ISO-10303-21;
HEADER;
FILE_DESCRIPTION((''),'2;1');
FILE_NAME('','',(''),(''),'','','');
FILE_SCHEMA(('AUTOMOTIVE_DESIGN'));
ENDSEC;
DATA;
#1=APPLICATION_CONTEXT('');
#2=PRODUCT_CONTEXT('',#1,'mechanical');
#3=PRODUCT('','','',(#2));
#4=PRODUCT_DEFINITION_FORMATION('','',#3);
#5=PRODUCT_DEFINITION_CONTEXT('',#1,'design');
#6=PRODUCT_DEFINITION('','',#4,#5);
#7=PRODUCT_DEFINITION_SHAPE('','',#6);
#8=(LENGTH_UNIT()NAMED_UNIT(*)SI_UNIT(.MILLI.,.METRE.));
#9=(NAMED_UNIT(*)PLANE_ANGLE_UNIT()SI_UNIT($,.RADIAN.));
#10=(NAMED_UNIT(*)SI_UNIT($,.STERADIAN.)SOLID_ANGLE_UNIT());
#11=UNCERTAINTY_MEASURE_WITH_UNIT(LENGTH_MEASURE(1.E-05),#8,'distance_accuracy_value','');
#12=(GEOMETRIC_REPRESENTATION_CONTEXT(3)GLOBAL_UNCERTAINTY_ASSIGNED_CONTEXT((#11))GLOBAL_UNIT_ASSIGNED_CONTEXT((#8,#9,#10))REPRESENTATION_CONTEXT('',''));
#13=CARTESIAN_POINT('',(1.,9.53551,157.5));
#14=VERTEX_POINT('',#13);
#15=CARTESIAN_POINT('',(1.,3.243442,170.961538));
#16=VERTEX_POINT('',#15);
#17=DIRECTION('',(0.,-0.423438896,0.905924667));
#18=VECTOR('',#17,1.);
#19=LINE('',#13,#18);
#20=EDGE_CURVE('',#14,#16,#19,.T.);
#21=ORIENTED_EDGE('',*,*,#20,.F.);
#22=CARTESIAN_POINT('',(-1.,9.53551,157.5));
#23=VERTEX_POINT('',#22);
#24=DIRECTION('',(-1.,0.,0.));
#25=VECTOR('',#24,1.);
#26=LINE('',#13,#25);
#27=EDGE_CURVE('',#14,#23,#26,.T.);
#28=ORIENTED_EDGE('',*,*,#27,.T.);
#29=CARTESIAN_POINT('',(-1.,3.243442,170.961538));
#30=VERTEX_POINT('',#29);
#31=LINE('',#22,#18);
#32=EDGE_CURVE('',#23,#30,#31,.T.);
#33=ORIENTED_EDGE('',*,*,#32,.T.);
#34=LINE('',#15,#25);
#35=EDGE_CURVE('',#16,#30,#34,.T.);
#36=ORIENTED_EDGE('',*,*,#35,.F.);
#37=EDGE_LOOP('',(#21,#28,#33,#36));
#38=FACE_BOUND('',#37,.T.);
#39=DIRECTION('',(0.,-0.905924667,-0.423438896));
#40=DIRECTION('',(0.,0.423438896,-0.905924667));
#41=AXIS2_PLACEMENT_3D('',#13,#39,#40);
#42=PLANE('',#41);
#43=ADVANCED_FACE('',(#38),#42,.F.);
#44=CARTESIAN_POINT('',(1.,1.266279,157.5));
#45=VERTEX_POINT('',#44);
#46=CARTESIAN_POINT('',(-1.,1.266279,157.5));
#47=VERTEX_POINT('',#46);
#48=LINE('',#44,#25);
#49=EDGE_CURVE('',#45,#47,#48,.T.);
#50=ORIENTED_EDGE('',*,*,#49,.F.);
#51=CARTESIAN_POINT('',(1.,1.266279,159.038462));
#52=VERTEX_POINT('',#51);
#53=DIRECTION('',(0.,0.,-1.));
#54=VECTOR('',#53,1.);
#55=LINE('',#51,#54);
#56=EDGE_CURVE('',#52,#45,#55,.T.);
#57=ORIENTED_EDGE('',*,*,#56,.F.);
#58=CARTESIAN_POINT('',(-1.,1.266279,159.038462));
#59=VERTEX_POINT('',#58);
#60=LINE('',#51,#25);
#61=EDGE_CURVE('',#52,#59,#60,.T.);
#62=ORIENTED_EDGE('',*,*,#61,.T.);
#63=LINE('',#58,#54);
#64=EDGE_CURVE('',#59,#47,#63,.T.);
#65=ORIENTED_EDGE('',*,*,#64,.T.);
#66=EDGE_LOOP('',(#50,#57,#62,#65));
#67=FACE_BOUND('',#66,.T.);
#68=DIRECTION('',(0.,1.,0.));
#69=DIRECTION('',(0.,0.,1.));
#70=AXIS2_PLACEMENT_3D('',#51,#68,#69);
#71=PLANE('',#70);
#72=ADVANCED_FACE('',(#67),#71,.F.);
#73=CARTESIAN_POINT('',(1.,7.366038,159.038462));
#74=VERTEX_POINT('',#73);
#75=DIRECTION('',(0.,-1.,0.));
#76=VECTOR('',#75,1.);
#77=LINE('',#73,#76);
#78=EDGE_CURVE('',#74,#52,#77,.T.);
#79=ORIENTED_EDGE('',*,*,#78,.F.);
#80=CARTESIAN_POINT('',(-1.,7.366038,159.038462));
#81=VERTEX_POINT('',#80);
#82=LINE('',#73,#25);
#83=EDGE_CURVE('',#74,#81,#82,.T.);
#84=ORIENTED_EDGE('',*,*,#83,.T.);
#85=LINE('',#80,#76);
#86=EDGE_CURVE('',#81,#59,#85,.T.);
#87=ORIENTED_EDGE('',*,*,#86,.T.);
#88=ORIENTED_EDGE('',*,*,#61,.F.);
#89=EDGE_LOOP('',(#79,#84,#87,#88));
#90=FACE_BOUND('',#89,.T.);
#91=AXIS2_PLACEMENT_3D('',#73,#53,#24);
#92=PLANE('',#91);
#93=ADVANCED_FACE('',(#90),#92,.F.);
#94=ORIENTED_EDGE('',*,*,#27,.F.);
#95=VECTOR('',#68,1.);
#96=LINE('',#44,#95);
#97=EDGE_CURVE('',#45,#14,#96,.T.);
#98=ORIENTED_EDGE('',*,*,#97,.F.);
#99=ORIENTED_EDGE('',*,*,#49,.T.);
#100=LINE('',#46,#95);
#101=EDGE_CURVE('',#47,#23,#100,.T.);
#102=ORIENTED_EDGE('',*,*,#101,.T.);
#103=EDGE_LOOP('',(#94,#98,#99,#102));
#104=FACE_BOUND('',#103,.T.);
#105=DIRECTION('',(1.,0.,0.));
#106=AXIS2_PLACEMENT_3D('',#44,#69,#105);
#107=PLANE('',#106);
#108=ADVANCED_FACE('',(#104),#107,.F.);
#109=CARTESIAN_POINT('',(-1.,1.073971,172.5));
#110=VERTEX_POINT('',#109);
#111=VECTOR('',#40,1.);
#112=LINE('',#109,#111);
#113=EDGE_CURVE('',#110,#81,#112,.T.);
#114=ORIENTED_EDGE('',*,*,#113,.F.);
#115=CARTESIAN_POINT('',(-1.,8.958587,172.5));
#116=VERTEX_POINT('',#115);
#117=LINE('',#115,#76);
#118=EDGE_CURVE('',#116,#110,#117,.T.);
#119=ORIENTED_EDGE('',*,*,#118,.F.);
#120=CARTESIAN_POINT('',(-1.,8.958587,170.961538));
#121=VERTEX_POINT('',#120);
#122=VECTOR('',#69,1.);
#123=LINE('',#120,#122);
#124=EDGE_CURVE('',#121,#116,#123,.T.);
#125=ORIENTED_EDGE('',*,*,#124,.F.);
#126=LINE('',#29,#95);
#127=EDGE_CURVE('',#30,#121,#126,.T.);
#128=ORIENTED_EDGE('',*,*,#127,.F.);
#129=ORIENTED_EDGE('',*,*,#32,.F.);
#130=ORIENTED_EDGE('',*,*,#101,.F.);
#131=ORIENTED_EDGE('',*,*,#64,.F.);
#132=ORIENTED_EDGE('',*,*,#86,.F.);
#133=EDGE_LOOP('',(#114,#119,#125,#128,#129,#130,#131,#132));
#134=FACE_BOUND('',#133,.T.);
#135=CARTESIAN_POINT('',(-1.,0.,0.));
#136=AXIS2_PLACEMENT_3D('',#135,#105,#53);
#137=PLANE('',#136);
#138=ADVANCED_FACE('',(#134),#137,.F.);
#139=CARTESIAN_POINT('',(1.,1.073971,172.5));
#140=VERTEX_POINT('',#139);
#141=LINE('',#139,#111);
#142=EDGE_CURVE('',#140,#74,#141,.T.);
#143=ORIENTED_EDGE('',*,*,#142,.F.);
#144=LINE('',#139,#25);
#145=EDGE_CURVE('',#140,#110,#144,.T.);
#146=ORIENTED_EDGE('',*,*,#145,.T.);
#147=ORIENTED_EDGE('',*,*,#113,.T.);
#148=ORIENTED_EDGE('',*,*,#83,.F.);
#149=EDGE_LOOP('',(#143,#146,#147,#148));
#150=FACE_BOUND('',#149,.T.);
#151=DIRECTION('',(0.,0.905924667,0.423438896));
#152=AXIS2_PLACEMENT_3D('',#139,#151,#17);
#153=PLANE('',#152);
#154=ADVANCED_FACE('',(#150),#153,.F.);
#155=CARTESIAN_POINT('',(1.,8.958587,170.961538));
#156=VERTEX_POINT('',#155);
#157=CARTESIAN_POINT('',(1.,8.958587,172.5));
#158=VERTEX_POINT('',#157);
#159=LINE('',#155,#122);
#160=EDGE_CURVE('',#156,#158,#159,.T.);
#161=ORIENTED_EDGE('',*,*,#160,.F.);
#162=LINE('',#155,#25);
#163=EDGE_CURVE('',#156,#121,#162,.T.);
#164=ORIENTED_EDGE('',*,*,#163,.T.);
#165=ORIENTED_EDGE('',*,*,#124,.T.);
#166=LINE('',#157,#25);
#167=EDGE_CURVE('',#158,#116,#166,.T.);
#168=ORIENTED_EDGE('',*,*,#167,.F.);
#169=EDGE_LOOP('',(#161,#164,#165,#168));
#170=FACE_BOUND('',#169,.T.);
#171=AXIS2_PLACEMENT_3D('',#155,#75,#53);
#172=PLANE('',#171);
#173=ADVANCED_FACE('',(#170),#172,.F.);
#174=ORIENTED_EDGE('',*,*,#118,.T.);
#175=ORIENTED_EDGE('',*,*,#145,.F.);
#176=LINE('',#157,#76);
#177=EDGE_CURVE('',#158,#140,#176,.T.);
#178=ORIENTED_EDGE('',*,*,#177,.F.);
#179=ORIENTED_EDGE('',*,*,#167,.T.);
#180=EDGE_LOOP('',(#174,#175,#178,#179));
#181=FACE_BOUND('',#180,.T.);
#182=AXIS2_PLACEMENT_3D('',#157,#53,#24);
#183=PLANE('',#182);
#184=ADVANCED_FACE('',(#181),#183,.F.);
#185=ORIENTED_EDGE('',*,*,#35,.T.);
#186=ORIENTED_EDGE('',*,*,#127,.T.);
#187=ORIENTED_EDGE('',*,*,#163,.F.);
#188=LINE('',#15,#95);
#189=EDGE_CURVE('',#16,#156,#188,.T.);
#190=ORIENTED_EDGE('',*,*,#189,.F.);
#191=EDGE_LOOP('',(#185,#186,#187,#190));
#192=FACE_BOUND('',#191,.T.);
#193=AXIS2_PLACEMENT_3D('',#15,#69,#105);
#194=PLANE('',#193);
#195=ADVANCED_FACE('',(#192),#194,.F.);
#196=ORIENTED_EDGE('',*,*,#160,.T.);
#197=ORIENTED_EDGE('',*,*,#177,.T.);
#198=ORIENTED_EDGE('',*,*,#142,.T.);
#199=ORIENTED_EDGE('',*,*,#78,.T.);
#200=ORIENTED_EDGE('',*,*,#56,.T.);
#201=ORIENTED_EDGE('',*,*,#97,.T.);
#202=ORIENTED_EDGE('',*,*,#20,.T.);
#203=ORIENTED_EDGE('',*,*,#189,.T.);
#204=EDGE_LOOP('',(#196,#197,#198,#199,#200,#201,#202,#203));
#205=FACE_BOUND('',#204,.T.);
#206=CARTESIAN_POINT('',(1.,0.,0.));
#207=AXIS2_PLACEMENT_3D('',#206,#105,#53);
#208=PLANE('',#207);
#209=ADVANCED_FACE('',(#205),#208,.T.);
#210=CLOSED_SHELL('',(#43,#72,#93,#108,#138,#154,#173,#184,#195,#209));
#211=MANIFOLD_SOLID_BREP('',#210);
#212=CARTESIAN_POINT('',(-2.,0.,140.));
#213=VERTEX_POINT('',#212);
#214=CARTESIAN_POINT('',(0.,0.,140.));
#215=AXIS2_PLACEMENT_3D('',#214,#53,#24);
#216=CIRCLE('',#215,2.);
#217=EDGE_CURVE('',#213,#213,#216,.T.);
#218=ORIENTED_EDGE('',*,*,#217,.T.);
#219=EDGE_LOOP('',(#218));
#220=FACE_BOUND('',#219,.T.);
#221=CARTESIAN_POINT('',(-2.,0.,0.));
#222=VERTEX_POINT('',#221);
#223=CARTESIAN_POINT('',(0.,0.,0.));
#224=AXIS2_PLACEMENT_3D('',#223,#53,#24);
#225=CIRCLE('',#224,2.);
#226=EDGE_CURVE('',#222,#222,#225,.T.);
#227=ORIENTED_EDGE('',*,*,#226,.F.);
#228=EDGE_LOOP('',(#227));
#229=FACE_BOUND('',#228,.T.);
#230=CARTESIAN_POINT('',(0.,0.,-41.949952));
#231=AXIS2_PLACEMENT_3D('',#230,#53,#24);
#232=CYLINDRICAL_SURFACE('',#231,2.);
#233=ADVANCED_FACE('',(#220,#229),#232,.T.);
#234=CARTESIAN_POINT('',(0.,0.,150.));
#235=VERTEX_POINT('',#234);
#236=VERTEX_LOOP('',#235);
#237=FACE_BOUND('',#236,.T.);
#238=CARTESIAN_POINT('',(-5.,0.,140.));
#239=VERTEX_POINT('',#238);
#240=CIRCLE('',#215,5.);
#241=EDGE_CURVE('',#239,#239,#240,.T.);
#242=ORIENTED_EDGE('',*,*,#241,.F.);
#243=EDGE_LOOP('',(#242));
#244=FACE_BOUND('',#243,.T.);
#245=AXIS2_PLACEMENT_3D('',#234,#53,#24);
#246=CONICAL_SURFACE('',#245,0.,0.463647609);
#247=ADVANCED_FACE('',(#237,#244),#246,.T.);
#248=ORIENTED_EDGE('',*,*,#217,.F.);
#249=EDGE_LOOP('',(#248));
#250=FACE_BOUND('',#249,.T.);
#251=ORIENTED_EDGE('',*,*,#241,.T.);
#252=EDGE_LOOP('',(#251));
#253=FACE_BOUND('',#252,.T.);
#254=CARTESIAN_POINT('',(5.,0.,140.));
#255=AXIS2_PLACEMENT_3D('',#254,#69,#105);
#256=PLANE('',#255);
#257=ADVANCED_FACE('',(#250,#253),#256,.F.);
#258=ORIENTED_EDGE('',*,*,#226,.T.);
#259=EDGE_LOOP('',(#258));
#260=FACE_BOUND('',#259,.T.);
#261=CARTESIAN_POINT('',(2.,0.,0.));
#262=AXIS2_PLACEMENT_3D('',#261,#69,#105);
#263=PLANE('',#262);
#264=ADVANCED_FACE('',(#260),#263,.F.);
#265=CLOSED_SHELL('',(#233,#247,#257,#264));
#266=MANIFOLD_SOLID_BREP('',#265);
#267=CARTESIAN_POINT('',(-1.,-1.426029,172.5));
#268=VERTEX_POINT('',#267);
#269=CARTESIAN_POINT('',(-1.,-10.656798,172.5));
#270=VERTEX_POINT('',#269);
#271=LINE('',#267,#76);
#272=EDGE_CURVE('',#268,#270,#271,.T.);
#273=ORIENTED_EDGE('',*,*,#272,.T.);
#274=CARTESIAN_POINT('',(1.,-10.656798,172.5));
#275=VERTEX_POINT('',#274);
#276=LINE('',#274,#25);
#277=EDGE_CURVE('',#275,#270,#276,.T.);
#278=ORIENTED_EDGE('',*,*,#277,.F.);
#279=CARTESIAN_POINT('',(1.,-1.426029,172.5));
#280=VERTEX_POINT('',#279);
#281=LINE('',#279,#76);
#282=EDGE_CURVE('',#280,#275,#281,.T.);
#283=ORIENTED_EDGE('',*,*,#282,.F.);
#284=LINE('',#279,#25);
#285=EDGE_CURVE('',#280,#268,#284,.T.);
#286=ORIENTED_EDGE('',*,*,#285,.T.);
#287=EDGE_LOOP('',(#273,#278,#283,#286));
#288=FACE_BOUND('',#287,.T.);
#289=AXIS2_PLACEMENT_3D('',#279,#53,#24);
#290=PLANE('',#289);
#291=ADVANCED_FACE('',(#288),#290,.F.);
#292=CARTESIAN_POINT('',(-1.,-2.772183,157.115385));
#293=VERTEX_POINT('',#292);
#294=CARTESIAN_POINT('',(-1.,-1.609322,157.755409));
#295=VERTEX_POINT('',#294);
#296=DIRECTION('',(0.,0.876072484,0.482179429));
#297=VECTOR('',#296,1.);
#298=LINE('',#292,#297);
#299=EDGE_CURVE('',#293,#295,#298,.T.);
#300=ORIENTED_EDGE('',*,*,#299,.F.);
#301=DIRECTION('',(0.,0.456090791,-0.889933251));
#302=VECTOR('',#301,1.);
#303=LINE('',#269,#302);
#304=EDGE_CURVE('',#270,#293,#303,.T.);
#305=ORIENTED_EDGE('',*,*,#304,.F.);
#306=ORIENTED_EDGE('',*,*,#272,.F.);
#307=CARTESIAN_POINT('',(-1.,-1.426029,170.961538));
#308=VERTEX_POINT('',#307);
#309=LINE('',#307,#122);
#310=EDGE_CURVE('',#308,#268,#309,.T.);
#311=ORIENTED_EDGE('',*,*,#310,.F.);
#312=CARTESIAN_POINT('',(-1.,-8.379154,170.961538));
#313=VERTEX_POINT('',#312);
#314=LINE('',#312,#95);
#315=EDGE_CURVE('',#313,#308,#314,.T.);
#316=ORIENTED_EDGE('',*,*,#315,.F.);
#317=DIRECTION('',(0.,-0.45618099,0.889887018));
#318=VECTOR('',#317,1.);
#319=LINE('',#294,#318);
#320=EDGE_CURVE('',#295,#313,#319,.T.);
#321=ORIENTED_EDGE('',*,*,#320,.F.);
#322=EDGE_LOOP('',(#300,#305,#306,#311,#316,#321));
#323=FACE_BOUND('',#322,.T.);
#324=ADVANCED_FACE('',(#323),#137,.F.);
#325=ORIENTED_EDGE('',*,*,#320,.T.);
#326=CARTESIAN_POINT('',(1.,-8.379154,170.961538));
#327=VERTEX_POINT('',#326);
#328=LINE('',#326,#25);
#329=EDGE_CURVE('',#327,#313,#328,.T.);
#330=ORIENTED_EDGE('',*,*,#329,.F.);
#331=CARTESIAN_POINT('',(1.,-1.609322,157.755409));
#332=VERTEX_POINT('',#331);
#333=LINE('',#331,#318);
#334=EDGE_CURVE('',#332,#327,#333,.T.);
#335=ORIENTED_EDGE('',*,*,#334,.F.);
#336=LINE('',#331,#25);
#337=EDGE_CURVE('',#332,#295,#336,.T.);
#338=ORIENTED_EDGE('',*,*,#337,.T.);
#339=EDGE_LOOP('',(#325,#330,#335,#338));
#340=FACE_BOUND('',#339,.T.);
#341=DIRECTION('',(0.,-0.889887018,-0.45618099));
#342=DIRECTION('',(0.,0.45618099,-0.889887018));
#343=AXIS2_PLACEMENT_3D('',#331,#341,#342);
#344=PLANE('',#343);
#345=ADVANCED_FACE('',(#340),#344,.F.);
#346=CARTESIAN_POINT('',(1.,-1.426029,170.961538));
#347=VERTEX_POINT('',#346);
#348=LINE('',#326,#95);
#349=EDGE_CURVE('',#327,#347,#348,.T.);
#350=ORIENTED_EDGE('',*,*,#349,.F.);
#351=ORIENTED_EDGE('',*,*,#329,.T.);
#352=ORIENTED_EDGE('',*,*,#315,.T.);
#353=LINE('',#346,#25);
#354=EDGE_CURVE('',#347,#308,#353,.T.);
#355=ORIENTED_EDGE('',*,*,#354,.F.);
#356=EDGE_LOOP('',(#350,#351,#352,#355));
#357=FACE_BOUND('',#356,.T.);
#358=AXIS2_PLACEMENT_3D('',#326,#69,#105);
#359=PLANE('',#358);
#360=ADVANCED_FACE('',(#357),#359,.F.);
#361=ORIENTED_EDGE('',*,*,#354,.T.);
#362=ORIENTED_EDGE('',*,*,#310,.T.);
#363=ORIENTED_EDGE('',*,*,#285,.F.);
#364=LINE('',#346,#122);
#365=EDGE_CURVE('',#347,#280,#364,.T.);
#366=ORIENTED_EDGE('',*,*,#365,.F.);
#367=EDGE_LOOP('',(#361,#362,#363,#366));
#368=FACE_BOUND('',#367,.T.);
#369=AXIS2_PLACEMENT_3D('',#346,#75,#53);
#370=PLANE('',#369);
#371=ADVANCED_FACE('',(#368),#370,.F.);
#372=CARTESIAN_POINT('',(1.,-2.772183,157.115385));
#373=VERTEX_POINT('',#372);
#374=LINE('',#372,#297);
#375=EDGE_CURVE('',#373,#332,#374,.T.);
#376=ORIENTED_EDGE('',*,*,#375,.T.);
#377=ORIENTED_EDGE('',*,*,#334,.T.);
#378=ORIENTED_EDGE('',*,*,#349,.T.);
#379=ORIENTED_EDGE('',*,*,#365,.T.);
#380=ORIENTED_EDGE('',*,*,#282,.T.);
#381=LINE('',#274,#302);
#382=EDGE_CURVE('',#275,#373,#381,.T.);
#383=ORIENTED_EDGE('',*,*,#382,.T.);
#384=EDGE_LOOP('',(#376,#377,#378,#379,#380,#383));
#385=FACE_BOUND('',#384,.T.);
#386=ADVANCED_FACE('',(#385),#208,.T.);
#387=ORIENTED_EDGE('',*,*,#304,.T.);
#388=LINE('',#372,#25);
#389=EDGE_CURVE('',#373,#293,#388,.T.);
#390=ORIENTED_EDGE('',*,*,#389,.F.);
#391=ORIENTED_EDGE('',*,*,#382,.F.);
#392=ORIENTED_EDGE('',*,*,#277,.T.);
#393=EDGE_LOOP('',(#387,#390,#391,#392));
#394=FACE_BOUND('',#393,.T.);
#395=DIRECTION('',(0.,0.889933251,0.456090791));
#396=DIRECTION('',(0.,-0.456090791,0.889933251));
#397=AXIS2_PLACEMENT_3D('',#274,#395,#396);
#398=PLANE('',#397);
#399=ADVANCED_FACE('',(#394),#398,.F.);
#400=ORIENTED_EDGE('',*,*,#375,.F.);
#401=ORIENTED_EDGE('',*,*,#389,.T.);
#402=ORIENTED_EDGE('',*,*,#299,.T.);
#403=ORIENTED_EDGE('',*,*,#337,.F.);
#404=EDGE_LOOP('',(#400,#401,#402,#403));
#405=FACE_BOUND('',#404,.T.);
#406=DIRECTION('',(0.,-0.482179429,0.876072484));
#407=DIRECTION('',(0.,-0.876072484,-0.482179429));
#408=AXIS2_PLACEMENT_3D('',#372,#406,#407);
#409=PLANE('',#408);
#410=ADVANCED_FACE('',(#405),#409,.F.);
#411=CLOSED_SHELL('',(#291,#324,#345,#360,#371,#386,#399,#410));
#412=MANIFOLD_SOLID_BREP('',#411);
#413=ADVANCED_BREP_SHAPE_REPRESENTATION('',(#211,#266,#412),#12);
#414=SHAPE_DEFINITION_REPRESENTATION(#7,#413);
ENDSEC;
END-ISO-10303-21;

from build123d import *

# Parameters (mm, degrees)
BOSS_EXTRUDE1_DEPTH        = 1
BOSS_EXTRUDE1_DEPTH_BACK   = 1
BOSS_EXTRUDE1_2_DEPTH      = 1
BOSS_EXTRUDE1_2_DEPTH_BACK = 1


with BuildPart() as part:
    # Sketch2 → Revolve1 (revolve)
    with BuildSketch(Plane(origin=(0, 0, 0), x_dir=(1, 0, 0), z_dir=(0, 1, 0))):
        Polygon((0, -150), (5, -140), (2, -140), (2, 0), (0, 0), align=None)
    revolve(axis=Axis((0, 0, -41.949952025), (0, 0, 1)))


with BuildPart() as body_2:
    # Sketch3 → Boss-Extrude1 (new, two sides: drawn at the far end of the back side and taken through both)
    with BuildSketch(Plane(origin=(0, 0, 0), x_dir=(0, -1, 0), z_dir=(1, 0, 0)).offset(-BOSS_EXTRUDE1_DEPTH_BACK)):
        Polygon((-8.958586521, -170.961538462), (-8.958586521, -172.5), (-1.073971137, -172.5), (-7.366038444, -159.038461538), (-1.266278829, -159.038461538), (-1.266278829, -157.5), (-9.535509598, -157.5), (-3.243442291, -170.961538462), align=None)
    extrude(amount=BOSS_EXTRUDE1_DEPTH + BOSS_EXTRUDE1_DEPTH_BACK)


with BuildPart() as body_3:
    # Sketch3 → Boss-Extrude1 2 (new, two sides: drawn at the far end of the back side and taken through both)
    with BuildSketch(Plane(origin=(0, 0, 0), x_dir=(0, -1, 0), z_dir=(1, 0, 0)).offset(-BOSS_EXTRUDE1_2_DEPTH_BACK)):
        Polygon((1.426028863, -172.5), (10.656798094, -172.5), (2.772182709, -157.115384615), (1.609322133, -157.755408654), (8.379153863, -170.961538462), (1.426028863, -170.961538462), align=None)
    extrude(amount=BOSS_EXTRUDE1_2_DEPTH + BOSS_EXTRUDE1_2_DEPTH_BACK)


solid = Compound([part.part, body_2.part, body_3.part])
